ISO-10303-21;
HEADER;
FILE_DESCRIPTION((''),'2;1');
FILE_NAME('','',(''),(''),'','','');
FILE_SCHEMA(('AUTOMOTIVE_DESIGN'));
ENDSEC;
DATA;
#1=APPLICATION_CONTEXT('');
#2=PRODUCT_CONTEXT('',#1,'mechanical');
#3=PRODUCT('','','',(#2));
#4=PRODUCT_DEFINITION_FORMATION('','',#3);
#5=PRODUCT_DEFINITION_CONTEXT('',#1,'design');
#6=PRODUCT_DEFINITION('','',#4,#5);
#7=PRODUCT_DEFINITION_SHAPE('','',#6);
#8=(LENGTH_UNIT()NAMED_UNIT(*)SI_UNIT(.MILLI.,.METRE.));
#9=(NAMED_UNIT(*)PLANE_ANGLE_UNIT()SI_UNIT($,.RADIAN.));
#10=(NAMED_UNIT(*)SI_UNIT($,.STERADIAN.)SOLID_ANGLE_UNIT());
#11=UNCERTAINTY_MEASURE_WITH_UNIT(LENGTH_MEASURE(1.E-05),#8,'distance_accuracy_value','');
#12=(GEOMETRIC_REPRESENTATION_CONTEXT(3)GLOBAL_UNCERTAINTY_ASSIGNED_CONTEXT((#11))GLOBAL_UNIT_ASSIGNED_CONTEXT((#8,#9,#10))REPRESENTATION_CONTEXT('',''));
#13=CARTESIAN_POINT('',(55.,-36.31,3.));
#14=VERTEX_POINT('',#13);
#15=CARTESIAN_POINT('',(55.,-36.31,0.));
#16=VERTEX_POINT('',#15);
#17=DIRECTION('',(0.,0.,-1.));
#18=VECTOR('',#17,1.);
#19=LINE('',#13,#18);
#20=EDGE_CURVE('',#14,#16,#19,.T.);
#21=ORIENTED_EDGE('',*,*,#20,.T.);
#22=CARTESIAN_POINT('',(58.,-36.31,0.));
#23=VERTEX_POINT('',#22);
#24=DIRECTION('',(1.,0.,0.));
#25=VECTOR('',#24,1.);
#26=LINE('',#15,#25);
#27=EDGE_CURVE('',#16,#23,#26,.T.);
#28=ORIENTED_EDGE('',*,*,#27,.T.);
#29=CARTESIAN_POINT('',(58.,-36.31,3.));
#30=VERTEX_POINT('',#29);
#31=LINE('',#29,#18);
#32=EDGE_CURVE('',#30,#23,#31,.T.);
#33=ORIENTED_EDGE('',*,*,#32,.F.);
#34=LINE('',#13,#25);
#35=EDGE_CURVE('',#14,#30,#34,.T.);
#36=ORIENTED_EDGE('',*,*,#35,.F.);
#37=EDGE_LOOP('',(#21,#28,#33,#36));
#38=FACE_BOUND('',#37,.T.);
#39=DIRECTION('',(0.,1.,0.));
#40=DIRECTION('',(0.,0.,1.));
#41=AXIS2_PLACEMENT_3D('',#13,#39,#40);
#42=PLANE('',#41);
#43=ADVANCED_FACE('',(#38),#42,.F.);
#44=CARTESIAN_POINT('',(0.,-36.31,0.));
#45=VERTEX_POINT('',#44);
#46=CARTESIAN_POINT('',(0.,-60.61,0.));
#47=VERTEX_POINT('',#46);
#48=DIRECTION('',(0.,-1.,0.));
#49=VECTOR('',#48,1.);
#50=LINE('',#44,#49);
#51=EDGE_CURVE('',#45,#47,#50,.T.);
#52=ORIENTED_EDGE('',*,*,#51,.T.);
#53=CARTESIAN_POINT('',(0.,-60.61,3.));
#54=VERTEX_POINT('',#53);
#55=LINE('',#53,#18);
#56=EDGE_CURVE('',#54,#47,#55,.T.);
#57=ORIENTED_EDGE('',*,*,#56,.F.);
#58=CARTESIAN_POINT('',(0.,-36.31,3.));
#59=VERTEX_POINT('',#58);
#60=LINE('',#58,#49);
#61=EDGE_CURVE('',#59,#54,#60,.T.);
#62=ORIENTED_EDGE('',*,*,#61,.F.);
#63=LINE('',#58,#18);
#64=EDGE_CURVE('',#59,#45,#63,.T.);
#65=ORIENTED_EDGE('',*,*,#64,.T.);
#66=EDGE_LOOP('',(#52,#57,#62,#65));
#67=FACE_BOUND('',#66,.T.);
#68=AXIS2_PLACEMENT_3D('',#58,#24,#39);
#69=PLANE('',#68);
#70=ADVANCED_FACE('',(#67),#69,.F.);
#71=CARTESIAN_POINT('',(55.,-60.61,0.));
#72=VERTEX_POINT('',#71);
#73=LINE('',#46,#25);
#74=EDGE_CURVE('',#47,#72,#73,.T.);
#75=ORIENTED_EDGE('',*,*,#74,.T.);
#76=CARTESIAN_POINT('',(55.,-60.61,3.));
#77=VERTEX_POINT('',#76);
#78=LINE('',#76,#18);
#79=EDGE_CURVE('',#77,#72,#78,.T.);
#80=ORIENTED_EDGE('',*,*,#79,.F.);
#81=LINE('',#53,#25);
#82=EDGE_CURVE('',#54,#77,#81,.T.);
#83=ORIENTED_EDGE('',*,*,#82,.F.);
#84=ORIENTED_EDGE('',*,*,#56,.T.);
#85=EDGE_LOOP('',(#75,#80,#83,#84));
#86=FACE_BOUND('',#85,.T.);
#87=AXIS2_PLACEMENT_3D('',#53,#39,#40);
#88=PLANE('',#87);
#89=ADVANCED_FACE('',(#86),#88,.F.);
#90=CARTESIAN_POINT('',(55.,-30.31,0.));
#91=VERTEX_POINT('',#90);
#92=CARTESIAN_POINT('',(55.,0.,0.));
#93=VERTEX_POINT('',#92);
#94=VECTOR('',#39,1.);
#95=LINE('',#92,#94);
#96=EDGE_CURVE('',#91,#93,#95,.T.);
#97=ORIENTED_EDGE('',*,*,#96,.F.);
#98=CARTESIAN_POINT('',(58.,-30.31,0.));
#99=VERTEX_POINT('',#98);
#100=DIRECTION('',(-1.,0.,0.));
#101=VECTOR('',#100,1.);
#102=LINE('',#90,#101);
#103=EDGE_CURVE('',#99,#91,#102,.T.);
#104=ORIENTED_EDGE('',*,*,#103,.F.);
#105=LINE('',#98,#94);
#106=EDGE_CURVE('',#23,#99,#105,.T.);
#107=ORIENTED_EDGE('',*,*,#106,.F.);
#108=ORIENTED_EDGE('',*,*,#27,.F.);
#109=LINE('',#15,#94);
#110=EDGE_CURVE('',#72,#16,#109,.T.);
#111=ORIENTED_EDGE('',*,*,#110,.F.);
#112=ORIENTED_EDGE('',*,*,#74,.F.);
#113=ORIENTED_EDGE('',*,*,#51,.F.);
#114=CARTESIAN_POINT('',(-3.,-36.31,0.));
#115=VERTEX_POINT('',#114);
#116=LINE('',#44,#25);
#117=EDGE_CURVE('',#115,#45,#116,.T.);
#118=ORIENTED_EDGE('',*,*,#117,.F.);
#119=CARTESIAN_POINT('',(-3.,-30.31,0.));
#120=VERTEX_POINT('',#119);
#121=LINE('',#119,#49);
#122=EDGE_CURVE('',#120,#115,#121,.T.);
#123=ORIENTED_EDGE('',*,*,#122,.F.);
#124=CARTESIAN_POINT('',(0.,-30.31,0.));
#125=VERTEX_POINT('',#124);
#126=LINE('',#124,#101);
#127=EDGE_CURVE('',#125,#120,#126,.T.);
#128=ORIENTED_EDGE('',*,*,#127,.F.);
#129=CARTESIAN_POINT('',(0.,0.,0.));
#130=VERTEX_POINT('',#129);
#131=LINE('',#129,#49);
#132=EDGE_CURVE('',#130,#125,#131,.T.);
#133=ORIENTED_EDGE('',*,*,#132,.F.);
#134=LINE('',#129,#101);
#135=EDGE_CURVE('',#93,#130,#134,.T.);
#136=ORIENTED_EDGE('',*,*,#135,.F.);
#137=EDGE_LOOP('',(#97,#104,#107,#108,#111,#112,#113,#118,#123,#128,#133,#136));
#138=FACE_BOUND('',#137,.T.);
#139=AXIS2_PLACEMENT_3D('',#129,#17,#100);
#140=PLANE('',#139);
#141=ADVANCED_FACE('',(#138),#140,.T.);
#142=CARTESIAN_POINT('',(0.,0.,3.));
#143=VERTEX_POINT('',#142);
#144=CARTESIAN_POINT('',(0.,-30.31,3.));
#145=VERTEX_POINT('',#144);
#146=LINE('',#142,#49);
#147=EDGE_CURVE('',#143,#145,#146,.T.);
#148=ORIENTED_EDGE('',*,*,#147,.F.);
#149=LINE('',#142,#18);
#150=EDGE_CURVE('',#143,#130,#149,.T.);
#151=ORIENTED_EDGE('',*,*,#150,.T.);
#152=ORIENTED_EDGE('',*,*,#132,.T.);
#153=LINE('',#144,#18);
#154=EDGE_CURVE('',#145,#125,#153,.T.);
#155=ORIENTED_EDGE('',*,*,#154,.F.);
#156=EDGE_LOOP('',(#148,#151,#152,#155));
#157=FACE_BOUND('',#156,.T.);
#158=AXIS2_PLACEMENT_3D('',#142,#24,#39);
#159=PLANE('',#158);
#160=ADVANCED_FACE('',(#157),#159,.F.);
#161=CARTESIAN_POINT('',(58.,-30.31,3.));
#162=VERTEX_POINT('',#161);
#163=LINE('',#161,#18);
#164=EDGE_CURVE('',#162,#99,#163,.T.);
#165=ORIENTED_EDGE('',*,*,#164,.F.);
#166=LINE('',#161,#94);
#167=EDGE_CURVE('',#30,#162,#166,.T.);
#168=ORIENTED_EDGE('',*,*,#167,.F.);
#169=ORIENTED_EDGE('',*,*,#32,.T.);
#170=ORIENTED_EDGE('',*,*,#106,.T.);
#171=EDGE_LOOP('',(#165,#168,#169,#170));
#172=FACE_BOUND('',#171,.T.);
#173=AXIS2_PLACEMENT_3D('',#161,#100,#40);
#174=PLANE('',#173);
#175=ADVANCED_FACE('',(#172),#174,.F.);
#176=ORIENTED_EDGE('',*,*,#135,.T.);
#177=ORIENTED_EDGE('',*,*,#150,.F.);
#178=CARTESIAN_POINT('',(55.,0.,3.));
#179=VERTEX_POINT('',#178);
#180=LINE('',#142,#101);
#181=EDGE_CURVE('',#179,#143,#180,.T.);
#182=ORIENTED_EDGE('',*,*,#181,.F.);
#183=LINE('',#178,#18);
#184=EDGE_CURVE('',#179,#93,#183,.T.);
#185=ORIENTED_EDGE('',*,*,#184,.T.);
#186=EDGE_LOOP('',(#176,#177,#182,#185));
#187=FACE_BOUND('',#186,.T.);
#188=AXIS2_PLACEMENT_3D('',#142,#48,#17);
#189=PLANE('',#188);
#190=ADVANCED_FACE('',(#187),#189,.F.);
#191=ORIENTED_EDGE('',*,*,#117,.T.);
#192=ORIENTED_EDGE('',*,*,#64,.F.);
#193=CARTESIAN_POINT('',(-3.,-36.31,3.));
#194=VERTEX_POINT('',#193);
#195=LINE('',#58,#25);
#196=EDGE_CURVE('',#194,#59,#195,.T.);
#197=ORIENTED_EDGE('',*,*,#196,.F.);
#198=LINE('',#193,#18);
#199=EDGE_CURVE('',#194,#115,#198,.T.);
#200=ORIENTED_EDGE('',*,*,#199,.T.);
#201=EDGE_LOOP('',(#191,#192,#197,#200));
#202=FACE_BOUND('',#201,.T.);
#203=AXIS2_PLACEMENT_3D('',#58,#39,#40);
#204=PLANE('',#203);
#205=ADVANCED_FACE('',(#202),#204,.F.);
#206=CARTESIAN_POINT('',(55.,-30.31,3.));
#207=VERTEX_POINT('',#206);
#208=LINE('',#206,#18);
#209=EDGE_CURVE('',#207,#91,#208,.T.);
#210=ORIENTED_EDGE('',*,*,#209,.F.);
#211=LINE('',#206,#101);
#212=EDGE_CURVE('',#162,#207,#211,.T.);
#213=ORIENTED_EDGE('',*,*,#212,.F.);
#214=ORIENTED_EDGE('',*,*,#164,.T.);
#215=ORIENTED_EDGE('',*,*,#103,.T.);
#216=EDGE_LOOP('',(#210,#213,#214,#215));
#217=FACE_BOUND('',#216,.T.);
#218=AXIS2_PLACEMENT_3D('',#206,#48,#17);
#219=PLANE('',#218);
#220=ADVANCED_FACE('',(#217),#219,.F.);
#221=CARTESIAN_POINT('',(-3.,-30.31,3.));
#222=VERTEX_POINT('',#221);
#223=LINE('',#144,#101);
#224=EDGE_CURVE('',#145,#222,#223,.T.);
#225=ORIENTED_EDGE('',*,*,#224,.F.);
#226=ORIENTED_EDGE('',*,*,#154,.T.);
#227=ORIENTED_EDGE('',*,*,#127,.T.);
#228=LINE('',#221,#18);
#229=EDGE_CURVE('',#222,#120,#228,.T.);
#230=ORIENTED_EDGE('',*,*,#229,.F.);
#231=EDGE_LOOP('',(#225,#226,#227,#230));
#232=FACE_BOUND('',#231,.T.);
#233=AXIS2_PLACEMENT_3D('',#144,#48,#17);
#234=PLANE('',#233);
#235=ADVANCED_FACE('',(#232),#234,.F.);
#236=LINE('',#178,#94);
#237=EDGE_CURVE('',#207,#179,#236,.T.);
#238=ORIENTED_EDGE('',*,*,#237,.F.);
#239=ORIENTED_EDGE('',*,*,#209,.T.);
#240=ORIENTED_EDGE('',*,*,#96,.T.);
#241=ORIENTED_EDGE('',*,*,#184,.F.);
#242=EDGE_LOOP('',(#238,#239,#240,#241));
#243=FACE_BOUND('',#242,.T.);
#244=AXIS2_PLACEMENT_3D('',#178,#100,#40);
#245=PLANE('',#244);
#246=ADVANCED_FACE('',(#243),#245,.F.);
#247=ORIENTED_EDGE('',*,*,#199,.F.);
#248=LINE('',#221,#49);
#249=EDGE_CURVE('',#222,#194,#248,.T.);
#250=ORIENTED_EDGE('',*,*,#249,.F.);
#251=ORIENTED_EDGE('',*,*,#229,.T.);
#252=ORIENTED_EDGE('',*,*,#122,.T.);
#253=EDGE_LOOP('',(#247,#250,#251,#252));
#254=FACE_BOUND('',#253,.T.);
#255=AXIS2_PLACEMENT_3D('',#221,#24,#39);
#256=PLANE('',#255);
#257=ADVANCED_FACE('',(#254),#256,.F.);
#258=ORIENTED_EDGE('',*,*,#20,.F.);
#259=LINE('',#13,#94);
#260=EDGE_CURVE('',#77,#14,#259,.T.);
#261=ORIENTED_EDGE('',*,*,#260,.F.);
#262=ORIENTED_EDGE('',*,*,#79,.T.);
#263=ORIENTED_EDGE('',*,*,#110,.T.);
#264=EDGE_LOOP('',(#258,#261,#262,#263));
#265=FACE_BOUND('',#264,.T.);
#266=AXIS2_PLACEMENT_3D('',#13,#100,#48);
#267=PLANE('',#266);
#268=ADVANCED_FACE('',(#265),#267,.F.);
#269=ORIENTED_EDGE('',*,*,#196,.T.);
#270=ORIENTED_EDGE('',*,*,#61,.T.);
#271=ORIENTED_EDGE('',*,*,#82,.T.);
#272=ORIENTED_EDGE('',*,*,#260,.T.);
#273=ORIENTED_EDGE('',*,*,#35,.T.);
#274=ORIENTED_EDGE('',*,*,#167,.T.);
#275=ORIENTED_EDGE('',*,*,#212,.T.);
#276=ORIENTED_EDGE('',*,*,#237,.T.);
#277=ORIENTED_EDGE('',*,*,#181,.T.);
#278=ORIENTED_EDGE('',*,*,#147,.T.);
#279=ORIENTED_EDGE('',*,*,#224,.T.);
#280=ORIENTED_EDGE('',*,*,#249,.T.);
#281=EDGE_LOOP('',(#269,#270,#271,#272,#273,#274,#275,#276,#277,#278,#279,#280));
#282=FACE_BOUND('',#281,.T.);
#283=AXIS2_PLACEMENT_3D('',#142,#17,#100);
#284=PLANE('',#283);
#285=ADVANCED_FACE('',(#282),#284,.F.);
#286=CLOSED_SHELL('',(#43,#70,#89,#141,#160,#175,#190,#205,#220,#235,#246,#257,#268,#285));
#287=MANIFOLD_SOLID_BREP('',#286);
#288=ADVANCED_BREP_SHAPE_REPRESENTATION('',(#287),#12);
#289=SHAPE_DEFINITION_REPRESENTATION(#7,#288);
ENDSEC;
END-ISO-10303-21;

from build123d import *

# Parameters (mm, degrees)
P_IDAT_VYSUNUT_M1_DEPTH = 3


with BuildPart() as part:
    # Skica1 → Přidat vysunutím1 (new body)
    with BuildSketch(Plane.XY):
        Polygon((55, -36.31), (55, -60.61), (0, -60.61), (0, -36.31), (-3, -36.31), (-3, -30.31), (0, -30.31), (0, 0), (55, 0), (55, -30.31), (58, -30.31), (58, -36.31), align=None)
    extrude(amount=P_IDAT_VYSUNUT_M1_DEPTH)


solid = part.part
